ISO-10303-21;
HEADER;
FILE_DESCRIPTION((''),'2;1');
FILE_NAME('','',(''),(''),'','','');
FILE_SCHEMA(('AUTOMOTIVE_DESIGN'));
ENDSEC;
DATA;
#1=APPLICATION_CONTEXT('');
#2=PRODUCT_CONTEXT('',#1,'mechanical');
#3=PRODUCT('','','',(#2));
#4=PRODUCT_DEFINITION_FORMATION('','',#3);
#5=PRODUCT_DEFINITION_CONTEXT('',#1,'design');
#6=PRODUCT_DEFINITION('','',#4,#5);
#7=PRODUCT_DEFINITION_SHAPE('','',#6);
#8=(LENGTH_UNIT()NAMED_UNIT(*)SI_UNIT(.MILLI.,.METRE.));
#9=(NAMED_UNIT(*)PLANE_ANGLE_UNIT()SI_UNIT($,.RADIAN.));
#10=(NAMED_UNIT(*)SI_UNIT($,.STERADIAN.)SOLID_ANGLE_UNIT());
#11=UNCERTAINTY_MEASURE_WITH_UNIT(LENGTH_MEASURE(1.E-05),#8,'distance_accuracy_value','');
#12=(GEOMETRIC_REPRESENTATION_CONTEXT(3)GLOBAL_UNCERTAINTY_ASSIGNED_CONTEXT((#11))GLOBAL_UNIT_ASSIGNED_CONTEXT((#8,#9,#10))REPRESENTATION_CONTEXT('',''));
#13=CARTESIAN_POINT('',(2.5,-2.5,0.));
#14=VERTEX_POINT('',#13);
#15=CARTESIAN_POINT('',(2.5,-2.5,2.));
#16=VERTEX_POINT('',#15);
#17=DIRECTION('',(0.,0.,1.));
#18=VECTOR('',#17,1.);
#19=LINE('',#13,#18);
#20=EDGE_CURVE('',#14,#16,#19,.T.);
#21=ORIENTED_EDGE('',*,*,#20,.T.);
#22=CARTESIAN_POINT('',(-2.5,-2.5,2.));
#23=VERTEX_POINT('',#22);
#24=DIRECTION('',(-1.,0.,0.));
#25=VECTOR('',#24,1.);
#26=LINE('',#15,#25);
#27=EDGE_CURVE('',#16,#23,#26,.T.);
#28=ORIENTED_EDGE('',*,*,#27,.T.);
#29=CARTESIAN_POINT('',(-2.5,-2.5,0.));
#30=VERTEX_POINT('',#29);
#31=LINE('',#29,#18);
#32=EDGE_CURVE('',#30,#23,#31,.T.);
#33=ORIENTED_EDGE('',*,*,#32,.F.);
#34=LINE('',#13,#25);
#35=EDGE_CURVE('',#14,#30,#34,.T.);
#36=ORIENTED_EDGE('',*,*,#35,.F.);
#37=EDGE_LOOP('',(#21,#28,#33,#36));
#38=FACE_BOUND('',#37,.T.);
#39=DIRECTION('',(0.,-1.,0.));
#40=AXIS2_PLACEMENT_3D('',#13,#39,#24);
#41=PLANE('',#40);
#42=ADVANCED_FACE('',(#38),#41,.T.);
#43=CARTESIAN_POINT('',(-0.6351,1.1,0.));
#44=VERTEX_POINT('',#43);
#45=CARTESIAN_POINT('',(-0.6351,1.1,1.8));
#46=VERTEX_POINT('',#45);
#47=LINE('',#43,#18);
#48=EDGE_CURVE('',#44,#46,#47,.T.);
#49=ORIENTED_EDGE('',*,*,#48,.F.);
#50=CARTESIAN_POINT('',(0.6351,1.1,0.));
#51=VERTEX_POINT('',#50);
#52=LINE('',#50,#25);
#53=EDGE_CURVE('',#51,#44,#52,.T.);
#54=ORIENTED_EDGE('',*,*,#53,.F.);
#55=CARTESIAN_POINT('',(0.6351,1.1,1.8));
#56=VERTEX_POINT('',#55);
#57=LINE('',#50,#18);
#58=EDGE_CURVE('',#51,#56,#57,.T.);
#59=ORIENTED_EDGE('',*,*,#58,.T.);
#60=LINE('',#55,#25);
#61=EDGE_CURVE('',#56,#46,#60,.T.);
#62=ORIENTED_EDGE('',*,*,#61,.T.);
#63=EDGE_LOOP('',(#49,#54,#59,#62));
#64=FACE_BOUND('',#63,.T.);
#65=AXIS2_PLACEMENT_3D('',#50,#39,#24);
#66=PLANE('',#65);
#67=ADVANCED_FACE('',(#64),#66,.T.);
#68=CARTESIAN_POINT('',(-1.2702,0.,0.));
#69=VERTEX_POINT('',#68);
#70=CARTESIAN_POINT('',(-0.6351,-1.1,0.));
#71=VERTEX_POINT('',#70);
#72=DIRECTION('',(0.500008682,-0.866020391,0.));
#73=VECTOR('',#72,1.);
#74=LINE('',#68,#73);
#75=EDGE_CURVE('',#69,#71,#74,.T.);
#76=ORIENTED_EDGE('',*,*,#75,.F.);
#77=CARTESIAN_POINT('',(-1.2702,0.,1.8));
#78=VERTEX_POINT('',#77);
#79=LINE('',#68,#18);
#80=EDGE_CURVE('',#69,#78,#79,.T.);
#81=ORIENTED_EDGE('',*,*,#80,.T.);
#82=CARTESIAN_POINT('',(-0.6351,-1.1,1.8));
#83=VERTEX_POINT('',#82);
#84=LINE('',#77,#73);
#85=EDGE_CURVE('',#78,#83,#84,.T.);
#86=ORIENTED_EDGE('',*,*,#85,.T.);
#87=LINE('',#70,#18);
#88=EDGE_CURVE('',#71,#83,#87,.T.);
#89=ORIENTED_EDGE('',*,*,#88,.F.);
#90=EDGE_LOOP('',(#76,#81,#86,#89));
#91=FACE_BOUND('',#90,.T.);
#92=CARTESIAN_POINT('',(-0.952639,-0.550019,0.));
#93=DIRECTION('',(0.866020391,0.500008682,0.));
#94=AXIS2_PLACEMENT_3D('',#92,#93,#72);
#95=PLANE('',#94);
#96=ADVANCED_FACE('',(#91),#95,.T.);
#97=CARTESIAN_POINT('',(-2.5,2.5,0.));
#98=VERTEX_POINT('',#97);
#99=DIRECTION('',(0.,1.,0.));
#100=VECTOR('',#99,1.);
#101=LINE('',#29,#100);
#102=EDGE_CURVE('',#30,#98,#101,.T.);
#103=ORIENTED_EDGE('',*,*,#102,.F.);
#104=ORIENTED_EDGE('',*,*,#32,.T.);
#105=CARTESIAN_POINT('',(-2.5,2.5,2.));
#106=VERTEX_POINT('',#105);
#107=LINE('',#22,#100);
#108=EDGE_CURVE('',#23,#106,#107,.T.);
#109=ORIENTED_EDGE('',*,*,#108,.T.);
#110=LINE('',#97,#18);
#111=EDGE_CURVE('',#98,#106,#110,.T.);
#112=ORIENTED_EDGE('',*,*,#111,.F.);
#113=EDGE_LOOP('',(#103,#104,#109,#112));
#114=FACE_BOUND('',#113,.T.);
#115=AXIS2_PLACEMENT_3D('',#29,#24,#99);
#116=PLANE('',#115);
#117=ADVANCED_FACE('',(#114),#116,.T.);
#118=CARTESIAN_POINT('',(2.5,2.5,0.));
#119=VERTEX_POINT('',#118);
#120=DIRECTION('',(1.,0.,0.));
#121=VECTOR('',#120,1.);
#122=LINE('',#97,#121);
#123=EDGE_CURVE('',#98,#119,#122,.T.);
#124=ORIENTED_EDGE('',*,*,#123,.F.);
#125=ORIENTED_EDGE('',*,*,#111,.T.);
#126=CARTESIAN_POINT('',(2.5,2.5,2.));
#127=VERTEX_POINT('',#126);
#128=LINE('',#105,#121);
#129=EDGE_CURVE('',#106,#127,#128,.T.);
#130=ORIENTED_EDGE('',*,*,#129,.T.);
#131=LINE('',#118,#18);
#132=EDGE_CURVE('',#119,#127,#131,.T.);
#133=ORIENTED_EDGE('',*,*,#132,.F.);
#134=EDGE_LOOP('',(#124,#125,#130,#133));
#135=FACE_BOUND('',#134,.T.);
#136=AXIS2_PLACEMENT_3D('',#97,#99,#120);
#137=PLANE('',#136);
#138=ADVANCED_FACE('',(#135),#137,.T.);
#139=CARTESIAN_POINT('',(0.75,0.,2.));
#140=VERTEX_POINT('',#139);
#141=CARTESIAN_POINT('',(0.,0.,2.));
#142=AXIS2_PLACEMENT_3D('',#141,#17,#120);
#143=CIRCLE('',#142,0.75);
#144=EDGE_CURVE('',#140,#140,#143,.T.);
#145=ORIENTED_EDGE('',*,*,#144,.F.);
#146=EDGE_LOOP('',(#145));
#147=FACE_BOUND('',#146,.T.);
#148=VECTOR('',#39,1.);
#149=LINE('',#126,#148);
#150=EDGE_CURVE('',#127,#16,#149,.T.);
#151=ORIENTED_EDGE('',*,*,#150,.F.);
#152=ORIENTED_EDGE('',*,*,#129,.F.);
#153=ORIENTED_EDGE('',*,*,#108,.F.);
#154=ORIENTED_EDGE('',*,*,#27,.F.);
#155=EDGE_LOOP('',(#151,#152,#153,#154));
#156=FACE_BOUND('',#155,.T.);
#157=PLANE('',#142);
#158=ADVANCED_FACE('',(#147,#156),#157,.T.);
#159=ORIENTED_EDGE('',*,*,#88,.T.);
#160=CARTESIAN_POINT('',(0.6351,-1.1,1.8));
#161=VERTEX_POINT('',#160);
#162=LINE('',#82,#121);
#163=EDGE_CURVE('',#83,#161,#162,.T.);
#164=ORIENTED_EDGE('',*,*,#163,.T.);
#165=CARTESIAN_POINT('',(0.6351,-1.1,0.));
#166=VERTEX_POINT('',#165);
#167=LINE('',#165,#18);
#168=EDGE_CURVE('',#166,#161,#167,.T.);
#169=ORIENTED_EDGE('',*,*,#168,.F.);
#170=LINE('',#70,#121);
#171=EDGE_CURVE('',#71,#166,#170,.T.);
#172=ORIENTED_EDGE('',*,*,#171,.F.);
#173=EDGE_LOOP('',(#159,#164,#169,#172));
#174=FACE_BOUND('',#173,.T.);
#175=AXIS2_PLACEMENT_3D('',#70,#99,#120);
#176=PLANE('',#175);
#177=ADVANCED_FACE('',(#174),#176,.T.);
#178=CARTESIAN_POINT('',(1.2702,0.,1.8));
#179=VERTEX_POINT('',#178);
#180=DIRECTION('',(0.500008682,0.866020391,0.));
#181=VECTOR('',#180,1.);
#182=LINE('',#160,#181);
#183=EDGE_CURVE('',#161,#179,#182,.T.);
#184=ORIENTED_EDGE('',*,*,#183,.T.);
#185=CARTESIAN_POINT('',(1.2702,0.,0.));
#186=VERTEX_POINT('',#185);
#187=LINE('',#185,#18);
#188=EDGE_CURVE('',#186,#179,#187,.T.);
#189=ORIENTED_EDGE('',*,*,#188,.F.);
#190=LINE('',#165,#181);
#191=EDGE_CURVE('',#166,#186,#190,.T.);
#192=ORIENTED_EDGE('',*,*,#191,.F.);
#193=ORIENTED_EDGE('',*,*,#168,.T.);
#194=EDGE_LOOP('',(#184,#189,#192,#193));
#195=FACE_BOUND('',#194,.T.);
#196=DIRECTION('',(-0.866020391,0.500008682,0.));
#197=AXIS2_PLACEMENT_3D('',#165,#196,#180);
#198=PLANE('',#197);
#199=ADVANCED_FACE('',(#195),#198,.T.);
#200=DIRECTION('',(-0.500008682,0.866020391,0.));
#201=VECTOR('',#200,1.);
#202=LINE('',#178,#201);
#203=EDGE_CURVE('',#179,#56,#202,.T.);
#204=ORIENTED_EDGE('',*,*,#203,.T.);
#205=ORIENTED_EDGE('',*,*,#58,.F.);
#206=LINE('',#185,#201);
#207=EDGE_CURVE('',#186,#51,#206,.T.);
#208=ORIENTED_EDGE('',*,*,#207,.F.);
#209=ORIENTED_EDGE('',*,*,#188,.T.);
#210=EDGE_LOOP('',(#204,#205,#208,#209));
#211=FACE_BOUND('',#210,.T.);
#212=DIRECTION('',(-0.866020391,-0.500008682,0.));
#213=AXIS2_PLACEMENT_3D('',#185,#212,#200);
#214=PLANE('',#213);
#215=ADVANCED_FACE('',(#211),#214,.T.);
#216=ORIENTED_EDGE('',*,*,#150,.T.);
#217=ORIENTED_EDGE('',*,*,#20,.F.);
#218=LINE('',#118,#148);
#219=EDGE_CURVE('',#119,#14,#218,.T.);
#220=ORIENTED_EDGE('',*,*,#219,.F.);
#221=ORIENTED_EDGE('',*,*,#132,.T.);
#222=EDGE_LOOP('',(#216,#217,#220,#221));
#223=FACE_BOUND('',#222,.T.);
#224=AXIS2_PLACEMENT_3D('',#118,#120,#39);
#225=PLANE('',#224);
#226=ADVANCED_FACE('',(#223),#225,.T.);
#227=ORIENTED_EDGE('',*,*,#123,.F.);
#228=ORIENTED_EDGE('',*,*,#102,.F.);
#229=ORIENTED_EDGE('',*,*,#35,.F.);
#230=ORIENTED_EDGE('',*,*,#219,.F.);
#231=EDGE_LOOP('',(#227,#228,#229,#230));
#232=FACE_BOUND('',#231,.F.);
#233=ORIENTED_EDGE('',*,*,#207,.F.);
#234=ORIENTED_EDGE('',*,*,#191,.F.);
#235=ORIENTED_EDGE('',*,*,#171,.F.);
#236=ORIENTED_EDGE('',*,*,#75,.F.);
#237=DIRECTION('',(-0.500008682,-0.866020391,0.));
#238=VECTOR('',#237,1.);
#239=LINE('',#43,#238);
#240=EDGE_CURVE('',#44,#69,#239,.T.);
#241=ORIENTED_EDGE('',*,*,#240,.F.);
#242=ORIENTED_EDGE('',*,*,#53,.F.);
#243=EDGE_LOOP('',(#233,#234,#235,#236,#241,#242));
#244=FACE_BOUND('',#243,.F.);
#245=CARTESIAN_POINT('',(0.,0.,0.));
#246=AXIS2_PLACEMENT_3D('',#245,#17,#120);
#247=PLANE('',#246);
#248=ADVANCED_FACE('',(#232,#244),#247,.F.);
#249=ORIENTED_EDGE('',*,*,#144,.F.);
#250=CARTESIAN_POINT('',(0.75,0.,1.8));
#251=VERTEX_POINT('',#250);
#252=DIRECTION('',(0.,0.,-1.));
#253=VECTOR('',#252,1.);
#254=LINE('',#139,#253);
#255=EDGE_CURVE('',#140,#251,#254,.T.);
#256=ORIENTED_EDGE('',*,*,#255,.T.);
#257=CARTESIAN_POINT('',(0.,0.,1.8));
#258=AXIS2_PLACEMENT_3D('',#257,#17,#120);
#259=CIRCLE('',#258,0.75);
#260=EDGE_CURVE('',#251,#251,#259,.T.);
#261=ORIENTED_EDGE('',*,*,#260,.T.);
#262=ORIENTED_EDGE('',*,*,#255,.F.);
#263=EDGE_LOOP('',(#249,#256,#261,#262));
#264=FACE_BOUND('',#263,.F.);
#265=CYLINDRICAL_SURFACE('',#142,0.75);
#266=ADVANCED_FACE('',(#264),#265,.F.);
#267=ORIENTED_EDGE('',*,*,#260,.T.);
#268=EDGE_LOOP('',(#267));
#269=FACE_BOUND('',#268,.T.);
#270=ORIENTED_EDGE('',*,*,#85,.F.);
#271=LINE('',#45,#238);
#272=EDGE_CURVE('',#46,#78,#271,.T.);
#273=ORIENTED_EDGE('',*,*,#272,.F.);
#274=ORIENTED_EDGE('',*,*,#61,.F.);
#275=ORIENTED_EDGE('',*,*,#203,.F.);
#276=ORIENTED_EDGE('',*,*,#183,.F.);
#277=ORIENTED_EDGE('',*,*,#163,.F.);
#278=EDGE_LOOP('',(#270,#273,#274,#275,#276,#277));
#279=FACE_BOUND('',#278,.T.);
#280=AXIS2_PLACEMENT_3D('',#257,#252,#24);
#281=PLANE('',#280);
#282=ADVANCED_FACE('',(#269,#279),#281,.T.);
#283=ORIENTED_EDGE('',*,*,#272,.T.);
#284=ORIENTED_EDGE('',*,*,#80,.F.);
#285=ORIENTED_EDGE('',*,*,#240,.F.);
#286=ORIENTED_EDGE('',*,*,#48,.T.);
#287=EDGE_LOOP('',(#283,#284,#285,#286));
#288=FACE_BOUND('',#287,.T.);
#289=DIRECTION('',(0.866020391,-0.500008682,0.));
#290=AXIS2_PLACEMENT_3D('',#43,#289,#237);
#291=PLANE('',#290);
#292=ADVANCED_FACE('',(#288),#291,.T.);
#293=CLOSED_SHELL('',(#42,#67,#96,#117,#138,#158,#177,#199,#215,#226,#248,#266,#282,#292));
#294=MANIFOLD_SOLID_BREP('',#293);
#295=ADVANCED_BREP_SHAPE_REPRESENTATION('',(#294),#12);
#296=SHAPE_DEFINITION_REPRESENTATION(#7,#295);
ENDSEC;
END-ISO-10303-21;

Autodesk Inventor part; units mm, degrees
ref_plane "YZ Plane" through (0, 0, 0) normal (1, 0, 0) x (0, 1, 0)
ref_plane "XZ Plane" through (0, 0, 0) normal (0, 1, 0) x (-1, 0, 0)
ref_plane "XY Plane" through (0, 0, 0) normal (0, 0, 1) x (1, 0, 0)
sketch "Sketch1" plane through (0, 0, 0) normal (0, 0, 1) x (1, 0, 0)
  line L0 (-2.5, 2.5) -> (2.5, 2.5)
  line L1 (2.5, 2.5) -> (2.5, -2.5)
  line L2 (2.5, -2.5) -> (-2.5, -2.5)
  line L3 (-2.5, -2.5) -> (-2.5, 2.5)
  line L4 (-2.5, 2.5) -> (2.5, -2.5) construction
  line L5 (2.5, 2.5) -> (-2.5, -2.5) construction
  point P0 (0, 0)
  dimension "d0" = 5
  dimension "d1" = 5
extrude "Extrusion1" add sketch "Sketch1" along normal blind 2
sketch "Sketch10" plane through (0, 0, 2) normal (0, 0, 1) x (1, 0, 0)
  circle A0 centre (0, 0) radius 0.75
  dimension "d145" = 1.5
extrude "Extrusion8" cut sketch "Sketch10" against normal blind 10
sketch "Sketch11" plane through (0, 0, 0) normal (0, 0, -1) x (-1, 0, 0)
  circle A0 centre (0, 0) radius 1.1
  line L0 (0.6351, 1.1) -> (1.2702, 0)
  line L1 (1.2702, 0) -> (0.6351, -1.1)
  line L2 (0.6351, -1.1) -> (-0.6351, -1.1)
  line L3 (-0.6351, -1.1) -> (-1.2702, 0)
  line L4 (-1.2702, 0) -> (-0.6351, 1.1)
  line L5 (-0.6351, 1.1) -> (0.6351, 1.1)
  point P0 (0, 1.1)
  point P1 (-0.9526, 0.55)
  point P2 (0.9526, 0.55)
  point P3 (-0.9526, -0.55)
  point P4 (0, -1.1)
  point P5 (0.9526, -0.55)
  dimension "d148" = 2.2
extrude "Extrusion9" cut sketch "Sketch11" against normal blind 1.8
sketch "Sketch12" plane through (0, 0, 2) normal (0, 0, 1) x (1, 0, 0)
  circle A0 centre (0, 0) radius 1.3
  line L0 (2.5, 2.5) -> (-2.5, 2.5) projected
  line L1 (-2.5, -2.5) -> (2.5, -2.5) projected
  line L2 (-2.5, 2.5) -> (2.5, 2.5)
  line L3 (2.5, 2.5) -> (2.5, -2.5)
  line L4 (2.5, -2.5) -> (-2.5, -2.5)
  line L5 (-2.5, -2.5) -> (-2.5, 2.5)
  line L6 (-2.25, 2.25) -> (2.25, 2.25)
  line L7 (2.25, 2.25) -> (2.25, -2.25)
  line L8 (2.25, -2.25) -> (-2.25, -2.25)
  line L9 (-2.25, -2.25) -> (-2.25, 2.25)
  line L10 (2.5, -2.5) -> (2.5, 2.5) projected
  line L11 (-2.5, 2.5) -> (-2.5, -2.5) projected
  arc A1 (-1, -1.1843) -> (1, -1.1843) centre (0, 0) ccw
  circle A2 centre (0, 0) radius 1.55
  line L12 (-1, 2.25) -> (-1, 0.8307)
  line L13 (-0.75, 2.5) -> (-0.75, 1.0618)
  line L14 (0.75, 2.5) -> (0.75, 1.0618)
  line L15 (1, 2.5) -> (1, 0.8307)
  line L16 (-0.75, -2.25) -> (-0.75, -1.0618)
  line L17 (-1, -2.25) -> (-1, -0.8307)
  line L18 (0.75, -2.25) -> (0.75, -1.0618)
  line L19 (1, -2.25) -> (1, -0.8307)
  line L20 (-2.25, 1) -> (-0.8307, 1)
  line L21 (-2.25, 0.75) -> (-1.0618, 0.75)
  line L22 (-2.25, -0.75) -> (-1.0618, -0.75)
  line L23 (-2.25, -1) -> (-0.8307, -1)
  line L24 (0.8307, 1) -> (2.25, 1)
  line L25 (1.0618, 0.75) -> (2.25, 0.75)
  line L26 (0.8307, -1) -> (2.25, -1)
  line L27 (1.0618, -0.75) -> (2.25, -0.75)
  line L28 (-2.25, 1) -> (-2.5, 1)
  line L29 (-2.25, 0.75) -> (-2.5, 0.75)
  line L30 (-2.25, -0.75) -> (-2.5, -0.75)
  line L31 (-2.25, -1) -> (-2.5, -1)
  line L32 (-1, -2.25) -> (-1, -2.5)
  line L33 (-0.75, -2.25) -> (-0.75, -2.5)
  line L34 (0.75, -2.25) -> (0.75, -2.5)
  line L35 (1, -2.25) -> (1, -2.5)
  line L36 (2.25, -1) -> (2.5, -1)
  line L37 (2.25, -0.75) -> (2.5, -0.75)
  line L38 (2.25, 0.75) -> (2.5, 0.75)
  line L39 (2.25, 1) -> (2.5, 1)
  line L40 (-1, 2.25) -> (-1, 2.5)
  point P0 (0.75, 1.7809)
  dimension "d151" = 2.6
  dimension "d153" = 0.25
  dimension "d154" = 0.25
  dimension "d155" = 0.25
  dimension "d156" = 0.25
  dimension "d167" = 5
  dimension "d168" = 5
  dimension "d181" = 1.25
  dimension "d182" = 0.25
  dimension "d183" = 1.5
  dimension "d184" = 0.25
  dimension "d185" = 1.25
  dimension "d186" = 1.25
  dimension "d187" = 0.25
  dimension "d188" = 1.5
  dimension "d189" = 0.25
  dimension "d190" = 1.25
  dimension "d191" = 0.25
  dimension "d192" = 1.5
  dimension "d193" = 0.25
  dimension "d194" = 1.25
properties part number "SGBase"
